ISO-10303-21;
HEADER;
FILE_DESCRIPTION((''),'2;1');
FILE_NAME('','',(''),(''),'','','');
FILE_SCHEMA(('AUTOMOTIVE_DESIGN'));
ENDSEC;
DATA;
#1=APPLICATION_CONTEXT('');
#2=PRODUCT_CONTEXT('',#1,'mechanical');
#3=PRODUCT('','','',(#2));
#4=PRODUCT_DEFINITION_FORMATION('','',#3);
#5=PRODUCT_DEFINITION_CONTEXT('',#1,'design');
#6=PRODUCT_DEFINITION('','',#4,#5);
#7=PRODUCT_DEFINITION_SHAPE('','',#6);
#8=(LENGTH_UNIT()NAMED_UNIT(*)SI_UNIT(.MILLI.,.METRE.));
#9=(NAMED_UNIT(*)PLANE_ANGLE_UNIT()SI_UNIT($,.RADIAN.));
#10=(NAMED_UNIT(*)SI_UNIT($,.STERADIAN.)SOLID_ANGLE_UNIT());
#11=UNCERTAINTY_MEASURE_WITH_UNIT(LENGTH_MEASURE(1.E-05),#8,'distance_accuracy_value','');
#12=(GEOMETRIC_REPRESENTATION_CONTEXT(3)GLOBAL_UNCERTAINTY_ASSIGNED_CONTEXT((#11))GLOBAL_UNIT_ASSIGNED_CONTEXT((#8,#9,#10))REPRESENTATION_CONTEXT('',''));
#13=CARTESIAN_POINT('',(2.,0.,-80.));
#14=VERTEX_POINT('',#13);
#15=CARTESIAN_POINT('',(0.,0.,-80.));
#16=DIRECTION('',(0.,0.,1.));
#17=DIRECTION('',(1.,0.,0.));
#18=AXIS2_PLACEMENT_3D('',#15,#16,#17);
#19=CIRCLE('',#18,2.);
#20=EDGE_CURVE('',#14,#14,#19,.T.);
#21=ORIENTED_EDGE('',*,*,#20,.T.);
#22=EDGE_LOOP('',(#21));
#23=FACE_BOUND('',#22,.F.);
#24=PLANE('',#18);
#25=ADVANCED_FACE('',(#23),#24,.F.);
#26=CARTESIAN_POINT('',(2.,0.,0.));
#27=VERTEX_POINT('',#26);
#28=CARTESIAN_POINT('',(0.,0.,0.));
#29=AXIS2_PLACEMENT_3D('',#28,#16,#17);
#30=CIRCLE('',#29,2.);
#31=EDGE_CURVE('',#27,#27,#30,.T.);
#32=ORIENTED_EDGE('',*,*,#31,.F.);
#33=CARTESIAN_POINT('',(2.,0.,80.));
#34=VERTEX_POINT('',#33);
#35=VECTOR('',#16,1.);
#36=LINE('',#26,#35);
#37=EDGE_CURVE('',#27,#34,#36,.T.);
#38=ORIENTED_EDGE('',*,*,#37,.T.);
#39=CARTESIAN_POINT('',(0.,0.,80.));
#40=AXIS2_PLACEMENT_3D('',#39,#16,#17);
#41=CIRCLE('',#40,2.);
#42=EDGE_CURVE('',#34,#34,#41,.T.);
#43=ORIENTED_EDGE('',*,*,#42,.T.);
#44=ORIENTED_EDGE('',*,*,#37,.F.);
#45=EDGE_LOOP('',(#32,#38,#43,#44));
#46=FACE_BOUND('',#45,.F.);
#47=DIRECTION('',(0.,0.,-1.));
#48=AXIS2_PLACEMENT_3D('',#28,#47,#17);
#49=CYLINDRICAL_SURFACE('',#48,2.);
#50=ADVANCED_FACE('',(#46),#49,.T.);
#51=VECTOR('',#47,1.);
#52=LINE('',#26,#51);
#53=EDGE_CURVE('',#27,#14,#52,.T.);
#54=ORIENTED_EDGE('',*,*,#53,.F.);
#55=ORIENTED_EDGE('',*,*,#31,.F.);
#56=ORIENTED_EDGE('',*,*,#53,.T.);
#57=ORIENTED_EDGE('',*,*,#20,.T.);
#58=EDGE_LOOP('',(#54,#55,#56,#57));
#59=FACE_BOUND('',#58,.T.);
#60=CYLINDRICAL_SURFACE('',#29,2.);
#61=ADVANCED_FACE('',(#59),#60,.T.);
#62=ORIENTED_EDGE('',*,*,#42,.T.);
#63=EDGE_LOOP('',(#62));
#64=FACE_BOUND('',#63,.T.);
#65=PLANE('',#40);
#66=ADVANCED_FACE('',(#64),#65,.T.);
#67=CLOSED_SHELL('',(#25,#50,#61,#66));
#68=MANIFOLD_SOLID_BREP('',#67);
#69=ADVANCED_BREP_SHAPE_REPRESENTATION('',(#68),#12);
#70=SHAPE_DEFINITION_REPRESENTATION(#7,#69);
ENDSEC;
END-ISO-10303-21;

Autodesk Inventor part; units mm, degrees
ref_plane "YZ Plane" through (0, 0, 0) normal (1, 0, 0) x (0, 1, 0)
ref_plane "XZ Plane" through (0, 0, 0) normal (0, 1, 0) x (-1, 0, 0)
ref_plane "XY Plane" through (0, 0, 0) normal (0, 0, 1) x (1, 0, 0)
sketch "스케치1" plane through (0, 0, 0) normal (0, 0, 1) x (1, 0, 0)
  circle A0 centre (0, 0) radius 2
  dimension "d0" = 4
extrude "돌출1" add sketch "스케치1" along normal mid plane 160
properties part number "M4 볼트 150mm"
